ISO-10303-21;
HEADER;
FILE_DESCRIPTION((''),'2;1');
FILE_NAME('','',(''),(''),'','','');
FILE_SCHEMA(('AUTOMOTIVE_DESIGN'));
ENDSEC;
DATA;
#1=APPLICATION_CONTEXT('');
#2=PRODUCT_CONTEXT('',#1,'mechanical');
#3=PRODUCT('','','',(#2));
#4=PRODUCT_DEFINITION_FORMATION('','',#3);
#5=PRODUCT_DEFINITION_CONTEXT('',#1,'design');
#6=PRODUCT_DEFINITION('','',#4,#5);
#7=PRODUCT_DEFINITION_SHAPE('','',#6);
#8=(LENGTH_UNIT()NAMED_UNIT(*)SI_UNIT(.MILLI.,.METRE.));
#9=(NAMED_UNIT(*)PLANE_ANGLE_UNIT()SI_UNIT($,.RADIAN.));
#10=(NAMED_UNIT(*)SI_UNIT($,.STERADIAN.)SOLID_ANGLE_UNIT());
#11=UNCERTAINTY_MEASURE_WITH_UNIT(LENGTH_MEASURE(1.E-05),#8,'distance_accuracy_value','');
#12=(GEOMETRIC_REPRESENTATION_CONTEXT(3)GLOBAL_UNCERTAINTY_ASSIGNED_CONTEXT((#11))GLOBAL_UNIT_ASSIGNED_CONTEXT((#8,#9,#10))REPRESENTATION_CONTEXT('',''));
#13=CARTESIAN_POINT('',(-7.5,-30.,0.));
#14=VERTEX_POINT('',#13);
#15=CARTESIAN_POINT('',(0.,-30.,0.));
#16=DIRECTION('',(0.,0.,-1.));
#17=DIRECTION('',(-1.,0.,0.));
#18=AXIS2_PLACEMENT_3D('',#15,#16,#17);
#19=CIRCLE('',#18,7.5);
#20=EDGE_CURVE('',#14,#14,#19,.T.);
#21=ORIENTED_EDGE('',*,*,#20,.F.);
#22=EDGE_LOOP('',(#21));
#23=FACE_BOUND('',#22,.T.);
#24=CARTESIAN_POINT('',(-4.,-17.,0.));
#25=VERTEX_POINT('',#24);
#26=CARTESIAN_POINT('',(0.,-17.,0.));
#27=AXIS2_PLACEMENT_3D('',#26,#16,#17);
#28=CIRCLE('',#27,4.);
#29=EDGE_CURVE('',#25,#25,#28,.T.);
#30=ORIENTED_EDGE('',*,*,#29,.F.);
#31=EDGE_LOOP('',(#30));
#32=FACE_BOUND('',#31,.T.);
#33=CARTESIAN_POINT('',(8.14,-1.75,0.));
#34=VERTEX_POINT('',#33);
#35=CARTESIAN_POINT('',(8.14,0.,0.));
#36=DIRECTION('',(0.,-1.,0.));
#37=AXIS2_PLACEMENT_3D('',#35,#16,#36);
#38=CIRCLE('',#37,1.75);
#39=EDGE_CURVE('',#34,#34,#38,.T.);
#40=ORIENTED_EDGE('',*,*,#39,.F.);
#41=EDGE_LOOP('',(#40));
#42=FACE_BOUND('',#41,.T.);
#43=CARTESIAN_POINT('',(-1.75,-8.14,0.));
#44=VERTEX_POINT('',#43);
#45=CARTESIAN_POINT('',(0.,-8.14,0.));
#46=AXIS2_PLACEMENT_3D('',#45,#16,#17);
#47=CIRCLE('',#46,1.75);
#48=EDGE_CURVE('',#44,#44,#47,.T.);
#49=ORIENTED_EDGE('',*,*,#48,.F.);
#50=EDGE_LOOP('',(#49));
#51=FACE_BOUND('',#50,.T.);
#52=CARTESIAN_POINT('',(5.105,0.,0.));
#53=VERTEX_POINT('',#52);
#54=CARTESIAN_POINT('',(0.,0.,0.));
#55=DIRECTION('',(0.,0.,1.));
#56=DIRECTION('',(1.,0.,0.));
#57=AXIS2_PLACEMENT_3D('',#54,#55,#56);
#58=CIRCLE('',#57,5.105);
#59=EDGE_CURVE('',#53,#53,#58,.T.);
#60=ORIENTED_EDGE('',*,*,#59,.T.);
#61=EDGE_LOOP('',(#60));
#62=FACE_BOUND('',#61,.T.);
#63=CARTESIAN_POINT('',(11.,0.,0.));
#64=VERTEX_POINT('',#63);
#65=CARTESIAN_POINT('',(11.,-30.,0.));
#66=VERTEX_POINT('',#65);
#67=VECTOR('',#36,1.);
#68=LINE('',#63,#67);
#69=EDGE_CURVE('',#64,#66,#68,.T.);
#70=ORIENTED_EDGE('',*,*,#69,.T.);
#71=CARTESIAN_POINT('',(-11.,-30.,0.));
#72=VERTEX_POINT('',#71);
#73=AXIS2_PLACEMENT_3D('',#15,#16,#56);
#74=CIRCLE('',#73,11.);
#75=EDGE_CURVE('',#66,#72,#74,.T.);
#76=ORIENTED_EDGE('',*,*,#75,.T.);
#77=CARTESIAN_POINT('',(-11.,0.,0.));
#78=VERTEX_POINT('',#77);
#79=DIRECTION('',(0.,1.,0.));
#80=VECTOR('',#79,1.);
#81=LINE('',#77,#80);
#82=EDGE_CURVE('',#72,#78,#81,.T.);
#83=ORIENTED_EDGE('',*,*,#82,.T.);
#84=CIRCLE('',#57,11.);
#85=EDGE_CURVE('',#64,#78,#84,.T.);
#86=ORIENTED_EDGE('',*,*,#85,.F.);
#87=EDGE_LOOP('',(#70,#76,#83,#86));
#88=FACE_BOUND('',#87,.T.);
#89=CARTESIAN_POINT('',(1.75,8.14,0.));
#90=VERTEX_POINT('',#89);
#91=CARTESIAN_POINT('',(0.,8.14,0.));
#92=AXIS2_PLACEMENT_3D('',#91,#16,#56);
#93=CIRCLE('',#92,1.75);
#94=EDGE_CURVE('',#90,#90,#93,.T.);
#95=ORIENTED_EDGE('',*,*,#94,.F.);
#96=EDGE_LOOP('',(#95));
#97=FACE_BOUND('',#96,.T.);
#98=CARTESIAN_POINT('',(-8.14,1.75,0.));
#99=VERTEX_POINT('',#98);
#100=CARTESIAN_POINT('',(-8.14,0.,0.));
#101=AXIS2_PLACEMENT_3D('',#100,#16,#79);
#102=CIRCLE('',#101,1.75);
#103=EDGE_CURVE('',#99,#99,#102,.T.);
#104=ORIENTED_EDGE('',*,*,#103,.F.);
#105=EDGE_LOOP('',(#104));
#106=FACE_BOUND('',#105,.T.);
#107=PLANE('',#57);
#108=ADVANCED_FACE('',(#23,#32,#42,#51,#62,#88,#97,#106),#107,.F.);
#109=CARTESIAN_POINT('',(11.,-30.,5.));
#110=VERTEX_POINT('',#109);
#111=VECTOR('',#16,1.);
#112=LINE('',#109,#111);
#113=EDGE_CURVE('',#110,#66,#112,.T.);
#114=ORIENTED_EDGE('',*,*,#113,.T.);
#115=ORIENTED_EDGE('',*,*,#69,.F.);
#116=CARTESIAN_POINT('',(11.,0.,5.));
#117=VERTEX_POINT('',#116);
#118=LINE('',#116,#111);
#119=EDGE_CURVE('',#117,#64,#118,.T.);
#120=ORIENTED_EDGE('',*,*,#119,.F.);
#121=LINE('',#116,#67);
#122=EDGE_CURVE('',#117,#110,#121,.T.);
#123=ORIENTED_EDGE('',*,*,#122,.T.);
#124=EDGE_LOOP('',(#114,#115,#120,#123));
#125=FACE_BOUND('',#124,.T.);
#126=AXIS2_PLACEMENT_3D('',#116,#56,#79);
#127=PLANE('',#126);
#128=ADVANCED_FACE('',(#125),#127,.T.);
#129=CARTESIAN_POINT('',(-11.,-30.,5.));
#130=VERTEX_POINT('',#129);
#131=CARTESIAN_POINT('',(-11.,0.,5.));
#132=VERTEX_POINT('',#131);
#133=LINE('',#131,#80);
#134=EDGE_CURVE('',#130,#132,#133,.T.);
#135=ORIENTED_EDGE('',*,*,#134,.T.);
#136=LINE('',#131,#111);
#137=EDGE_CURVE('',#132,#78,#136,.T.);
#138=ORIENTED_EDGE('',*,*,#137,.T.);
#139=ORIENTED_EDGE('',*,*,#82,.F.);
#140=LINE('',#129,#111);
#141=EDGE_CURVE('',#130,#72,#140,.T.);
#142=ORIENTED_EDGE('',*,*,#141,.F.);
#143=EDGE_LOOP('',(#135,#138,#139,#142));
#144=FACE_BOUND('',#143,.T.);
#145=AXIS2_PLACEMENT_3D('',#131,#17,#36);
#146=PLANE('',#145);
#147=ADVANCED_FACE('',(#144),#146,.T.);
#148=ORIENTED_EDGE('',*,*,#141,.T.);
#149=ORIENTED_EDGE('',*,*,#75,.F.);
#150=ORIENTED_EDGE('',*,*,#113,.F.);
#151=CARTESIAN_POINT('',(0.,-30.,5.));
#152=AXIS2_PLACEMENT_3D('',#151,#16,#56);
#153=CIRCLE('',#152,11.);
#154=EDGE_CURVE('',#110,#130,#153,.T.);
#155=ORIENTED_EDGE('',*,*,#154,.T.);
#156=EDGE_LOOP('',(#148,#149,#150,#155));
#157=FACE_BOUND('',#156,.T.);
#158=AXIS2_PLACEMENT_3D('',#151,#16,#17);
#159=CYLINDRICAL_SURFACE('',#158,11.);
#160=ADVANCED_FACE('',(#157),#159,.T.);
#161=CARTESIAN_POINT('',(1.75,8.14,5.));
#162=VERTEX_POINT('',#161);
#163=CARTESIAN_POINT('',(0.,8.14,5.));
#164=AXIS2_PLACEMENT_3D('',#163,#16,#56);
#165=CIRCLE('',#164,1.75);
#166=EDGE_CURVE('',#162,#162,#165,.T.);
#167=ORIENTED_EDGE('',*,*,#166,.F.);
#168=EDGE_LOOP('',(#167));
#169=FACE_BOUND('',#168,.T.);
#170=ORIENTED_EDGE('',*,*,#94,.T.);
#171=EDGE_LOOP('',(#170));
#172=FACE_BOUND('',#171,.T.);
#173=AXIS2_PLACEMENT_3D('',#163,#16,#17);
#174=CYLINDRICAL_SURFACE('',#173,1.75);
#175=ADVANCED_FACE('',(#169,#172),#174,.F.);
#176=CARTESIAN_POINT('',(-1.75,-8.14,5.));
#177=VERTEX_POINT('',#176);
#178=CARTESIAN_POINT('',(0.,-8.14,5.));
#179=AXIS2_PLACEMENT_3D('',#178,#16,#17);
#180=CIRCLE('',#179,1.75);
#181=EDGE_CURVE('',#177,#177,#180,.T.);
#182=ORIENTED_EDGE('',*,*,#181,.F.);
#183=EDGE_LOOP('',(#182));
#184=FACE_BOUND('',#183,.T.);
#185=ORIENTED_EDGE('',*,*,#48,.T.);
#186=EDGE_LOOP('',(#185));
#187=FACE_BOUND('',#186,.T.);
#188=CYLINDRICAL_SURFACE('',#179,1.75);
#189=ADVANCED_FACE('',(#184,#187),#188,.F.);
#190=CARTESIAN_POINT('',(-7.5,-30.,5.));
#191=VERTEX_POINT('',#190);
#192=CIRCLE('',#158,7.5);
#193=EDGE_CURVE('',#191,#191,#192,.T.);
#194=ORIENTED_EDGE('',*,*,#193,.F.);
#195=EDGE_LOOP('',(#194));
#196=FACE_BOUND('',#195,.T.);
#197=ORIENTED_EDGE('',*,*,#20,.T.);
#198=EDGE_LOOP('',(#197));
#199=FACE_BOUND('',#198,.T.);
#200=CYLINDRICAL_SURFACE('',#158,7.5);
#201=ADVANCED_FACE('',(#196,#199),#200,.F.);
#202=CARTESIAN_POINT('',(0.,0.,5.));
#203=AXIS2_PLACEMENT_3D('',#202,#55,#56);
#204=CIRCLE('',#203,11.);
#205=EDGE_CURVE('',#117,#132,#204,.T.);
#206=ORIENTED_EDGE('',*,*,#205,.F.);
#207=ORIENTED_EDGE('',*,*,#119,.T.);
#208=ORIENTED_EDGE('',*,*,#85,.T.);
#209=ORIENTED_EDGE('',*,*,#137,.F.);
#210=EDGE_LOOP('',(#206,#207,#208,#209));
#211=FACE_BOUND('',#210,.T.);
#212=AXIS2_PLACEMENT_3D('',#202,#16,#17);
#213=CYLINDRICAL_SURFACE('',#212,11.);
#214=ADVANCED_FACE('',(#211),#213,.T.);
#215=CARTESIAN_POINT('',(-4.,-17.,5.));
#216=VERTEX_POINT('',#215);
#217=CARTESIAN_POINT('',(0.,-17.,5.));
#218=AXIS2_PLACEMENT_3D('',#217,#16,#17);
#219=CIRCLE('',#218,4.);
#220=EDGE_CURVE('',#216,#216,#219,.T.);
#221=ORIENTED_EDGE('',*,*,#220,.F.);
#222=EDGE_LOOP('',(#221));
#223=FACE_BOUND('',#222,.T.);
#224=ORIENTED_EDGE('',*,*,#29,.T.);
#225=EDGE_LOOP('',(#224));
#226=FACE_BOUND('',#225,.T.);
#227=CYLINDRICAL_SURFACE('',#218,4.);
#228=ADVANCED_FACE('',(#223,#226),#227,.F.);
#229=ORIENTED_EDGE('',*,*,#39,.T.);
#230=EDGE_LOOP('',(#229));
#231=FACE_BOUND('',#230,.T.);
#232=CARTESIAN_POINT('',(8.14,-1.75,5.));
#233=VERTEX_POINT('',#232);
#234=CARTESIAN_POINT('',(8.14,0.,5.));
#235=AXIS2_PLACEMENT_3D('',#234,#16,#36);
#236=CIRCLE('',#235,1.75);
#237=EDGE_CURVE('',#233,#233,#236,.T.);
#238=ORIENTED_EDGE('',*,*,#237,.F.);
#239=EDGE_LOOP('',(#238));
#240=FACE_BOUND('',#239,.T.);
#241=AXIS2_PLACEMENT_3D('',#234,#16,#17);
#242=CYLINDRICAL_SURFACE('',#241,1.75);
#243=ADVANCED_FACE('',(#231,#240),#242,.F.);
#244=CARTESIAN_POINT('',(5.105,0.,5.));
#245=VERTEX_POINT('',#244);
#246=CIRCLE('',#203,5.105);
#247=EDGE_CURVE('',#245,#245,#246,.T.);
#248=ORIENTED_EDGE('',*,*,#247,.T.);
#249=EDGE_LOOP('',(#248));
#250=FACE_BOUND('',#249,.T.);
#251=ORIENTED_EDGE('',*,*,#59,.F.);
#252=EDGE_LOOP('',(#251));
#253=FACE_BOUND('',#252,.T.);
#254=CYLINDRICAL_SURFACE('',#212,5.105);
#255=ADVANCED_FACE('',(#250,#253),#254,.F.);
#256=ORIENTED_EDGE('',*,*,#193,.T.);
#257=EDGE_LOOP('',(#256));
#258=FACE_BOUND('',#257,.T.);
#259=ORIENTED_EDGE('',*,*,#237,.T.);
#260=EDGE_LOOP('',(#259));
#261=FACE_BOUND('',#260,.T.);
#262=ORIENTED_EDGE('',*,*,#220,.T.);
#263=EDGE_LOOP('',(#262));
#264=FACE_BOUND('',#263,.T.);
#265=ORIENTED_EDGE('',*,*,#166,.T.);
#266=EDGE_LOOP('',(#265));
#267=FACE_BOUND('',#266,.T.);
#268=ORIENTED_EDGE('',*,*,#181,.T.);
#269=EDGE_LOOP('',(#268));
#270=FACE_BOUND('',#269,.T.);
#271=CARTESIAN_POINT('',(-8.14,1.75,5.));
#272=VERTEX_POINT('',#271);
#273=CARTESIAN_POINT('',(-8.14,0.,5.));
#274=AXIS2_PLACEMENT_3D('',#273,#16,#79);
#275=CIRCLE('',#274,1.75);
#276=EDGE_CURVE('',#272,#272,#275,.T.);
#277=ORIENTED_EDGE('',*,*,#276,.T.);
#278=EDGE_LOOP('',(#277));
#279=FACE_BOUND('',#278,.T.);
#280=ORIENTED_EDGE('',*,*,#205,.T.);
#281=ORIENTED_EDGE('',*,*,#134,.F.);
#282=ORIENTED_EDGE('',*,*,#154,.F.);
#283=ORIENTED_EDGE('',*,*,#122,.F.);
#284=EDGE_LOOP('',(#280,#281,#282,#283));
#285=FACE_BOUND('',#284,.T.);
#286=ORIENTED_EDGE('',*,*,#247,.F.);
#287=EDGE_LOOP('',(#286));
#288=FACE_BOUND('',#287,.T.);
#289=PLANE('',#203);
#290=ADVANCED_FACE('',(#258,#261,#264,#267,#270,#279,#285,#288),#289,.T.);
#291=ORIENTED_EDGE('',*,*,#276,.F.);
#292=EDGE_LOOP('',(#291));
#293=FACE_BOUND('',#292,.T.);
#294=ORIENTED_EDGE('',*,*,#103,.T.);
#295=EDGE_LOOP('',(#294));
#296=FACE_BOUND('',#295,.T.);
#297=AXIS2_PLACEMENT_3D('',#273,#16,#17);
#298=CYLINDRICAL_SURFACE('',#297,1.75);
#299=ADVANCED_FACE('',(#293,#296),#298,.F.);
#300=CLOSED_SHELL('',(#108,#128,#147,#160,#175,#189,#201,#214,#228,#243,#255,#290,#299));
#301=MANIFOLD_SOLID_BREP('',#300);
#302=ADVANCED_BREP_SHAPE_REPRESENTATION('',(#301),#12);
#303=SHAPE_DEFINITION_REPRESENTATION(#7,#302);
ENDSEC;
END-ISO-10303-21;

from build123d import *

# Parameters (mm, degrees)
ESBO_O1_R                = 11
ESBO_O1_R_2              = 5.105
RESSALTO_EXTRUS_O1_DEPTH = 5
ESBO_O2_R                = 1.75
CORTE_EXTRUS_O1_DEPTH    = 5
PADR_OCIRCULAR1_COUNT    = 4
ESBO_O3_R                = 7.5
ESBO_O3_R_2              = 4
RESSALTO_EXTRUS_O2_DEPTH = 5


with BuildPart() as part:
    # Esboço1 → Ressalto-extrusão1 (new body)
    with BuildSketch(Plane.XY):
        Circle(ESBO_O1_R)
        Circle(ESBO_O1_R_2, mode=Mode.SUBTRACT)
    extrude(amount=RESSALTO_EXTRUS_O1_DEPTH)

    # Esboço2 → Corte-extrusão1 (cut)
    with BuildSketch(Plane(origin=(0, 0, 0), x_dir=(-1, 0, 0), z_dir=(0, 0, -1))):
        with Locations((0, -8.14)):
            Circle(ESBO_O2_R)
    corte_extrus_o1 = extrude(amount=-CORTE_EXTRUS_O1_DEPTH, mode=Mode.SUBTRACT)

    # PadrãoCircular1: Corte-extrusão1 ×4 about axis
    padr_ocircular1_axis = Axis((0, 0, 0), (0, 0, 1))
    for i in range(1, PADR_OCIRCULAR1_COUNT):
        add(corte_extrus_o1.rotate(padr_ocircular1_axis, i * 360 / PADR_OCIRCULAR1_COUNT), mode=Mode.SUBTRACT)

    # Esboço3 → Ressalto-extrusão2 (add)
    with BuildSketch(Plane(origin=(0, 0, 0), x_dir=(-1, 0, 0), z_dir=(0, 0, -1))):
        with BuildLine():
            Line((-11, 0), (-11, -30))
            ThreePointArc((-11, -30), (0, -41), (11, -30))
            Line((11, -30), (11, 0))
            ThreePointArc((11, 0), (0, -11), (-11, 0))
        make_face()
        with Locations((0, -30)):
            Circle(ESBO_O3_R, mode=Mode.SUBTRACT)
        with Locations((0, -17)):
            Circle(ESBO_O3_R_2, mode=Mode.SUBTRACT)
    extrude(amount=-RESSALTO_EXTRUS_O2_DEPTH)


solid = part.part
